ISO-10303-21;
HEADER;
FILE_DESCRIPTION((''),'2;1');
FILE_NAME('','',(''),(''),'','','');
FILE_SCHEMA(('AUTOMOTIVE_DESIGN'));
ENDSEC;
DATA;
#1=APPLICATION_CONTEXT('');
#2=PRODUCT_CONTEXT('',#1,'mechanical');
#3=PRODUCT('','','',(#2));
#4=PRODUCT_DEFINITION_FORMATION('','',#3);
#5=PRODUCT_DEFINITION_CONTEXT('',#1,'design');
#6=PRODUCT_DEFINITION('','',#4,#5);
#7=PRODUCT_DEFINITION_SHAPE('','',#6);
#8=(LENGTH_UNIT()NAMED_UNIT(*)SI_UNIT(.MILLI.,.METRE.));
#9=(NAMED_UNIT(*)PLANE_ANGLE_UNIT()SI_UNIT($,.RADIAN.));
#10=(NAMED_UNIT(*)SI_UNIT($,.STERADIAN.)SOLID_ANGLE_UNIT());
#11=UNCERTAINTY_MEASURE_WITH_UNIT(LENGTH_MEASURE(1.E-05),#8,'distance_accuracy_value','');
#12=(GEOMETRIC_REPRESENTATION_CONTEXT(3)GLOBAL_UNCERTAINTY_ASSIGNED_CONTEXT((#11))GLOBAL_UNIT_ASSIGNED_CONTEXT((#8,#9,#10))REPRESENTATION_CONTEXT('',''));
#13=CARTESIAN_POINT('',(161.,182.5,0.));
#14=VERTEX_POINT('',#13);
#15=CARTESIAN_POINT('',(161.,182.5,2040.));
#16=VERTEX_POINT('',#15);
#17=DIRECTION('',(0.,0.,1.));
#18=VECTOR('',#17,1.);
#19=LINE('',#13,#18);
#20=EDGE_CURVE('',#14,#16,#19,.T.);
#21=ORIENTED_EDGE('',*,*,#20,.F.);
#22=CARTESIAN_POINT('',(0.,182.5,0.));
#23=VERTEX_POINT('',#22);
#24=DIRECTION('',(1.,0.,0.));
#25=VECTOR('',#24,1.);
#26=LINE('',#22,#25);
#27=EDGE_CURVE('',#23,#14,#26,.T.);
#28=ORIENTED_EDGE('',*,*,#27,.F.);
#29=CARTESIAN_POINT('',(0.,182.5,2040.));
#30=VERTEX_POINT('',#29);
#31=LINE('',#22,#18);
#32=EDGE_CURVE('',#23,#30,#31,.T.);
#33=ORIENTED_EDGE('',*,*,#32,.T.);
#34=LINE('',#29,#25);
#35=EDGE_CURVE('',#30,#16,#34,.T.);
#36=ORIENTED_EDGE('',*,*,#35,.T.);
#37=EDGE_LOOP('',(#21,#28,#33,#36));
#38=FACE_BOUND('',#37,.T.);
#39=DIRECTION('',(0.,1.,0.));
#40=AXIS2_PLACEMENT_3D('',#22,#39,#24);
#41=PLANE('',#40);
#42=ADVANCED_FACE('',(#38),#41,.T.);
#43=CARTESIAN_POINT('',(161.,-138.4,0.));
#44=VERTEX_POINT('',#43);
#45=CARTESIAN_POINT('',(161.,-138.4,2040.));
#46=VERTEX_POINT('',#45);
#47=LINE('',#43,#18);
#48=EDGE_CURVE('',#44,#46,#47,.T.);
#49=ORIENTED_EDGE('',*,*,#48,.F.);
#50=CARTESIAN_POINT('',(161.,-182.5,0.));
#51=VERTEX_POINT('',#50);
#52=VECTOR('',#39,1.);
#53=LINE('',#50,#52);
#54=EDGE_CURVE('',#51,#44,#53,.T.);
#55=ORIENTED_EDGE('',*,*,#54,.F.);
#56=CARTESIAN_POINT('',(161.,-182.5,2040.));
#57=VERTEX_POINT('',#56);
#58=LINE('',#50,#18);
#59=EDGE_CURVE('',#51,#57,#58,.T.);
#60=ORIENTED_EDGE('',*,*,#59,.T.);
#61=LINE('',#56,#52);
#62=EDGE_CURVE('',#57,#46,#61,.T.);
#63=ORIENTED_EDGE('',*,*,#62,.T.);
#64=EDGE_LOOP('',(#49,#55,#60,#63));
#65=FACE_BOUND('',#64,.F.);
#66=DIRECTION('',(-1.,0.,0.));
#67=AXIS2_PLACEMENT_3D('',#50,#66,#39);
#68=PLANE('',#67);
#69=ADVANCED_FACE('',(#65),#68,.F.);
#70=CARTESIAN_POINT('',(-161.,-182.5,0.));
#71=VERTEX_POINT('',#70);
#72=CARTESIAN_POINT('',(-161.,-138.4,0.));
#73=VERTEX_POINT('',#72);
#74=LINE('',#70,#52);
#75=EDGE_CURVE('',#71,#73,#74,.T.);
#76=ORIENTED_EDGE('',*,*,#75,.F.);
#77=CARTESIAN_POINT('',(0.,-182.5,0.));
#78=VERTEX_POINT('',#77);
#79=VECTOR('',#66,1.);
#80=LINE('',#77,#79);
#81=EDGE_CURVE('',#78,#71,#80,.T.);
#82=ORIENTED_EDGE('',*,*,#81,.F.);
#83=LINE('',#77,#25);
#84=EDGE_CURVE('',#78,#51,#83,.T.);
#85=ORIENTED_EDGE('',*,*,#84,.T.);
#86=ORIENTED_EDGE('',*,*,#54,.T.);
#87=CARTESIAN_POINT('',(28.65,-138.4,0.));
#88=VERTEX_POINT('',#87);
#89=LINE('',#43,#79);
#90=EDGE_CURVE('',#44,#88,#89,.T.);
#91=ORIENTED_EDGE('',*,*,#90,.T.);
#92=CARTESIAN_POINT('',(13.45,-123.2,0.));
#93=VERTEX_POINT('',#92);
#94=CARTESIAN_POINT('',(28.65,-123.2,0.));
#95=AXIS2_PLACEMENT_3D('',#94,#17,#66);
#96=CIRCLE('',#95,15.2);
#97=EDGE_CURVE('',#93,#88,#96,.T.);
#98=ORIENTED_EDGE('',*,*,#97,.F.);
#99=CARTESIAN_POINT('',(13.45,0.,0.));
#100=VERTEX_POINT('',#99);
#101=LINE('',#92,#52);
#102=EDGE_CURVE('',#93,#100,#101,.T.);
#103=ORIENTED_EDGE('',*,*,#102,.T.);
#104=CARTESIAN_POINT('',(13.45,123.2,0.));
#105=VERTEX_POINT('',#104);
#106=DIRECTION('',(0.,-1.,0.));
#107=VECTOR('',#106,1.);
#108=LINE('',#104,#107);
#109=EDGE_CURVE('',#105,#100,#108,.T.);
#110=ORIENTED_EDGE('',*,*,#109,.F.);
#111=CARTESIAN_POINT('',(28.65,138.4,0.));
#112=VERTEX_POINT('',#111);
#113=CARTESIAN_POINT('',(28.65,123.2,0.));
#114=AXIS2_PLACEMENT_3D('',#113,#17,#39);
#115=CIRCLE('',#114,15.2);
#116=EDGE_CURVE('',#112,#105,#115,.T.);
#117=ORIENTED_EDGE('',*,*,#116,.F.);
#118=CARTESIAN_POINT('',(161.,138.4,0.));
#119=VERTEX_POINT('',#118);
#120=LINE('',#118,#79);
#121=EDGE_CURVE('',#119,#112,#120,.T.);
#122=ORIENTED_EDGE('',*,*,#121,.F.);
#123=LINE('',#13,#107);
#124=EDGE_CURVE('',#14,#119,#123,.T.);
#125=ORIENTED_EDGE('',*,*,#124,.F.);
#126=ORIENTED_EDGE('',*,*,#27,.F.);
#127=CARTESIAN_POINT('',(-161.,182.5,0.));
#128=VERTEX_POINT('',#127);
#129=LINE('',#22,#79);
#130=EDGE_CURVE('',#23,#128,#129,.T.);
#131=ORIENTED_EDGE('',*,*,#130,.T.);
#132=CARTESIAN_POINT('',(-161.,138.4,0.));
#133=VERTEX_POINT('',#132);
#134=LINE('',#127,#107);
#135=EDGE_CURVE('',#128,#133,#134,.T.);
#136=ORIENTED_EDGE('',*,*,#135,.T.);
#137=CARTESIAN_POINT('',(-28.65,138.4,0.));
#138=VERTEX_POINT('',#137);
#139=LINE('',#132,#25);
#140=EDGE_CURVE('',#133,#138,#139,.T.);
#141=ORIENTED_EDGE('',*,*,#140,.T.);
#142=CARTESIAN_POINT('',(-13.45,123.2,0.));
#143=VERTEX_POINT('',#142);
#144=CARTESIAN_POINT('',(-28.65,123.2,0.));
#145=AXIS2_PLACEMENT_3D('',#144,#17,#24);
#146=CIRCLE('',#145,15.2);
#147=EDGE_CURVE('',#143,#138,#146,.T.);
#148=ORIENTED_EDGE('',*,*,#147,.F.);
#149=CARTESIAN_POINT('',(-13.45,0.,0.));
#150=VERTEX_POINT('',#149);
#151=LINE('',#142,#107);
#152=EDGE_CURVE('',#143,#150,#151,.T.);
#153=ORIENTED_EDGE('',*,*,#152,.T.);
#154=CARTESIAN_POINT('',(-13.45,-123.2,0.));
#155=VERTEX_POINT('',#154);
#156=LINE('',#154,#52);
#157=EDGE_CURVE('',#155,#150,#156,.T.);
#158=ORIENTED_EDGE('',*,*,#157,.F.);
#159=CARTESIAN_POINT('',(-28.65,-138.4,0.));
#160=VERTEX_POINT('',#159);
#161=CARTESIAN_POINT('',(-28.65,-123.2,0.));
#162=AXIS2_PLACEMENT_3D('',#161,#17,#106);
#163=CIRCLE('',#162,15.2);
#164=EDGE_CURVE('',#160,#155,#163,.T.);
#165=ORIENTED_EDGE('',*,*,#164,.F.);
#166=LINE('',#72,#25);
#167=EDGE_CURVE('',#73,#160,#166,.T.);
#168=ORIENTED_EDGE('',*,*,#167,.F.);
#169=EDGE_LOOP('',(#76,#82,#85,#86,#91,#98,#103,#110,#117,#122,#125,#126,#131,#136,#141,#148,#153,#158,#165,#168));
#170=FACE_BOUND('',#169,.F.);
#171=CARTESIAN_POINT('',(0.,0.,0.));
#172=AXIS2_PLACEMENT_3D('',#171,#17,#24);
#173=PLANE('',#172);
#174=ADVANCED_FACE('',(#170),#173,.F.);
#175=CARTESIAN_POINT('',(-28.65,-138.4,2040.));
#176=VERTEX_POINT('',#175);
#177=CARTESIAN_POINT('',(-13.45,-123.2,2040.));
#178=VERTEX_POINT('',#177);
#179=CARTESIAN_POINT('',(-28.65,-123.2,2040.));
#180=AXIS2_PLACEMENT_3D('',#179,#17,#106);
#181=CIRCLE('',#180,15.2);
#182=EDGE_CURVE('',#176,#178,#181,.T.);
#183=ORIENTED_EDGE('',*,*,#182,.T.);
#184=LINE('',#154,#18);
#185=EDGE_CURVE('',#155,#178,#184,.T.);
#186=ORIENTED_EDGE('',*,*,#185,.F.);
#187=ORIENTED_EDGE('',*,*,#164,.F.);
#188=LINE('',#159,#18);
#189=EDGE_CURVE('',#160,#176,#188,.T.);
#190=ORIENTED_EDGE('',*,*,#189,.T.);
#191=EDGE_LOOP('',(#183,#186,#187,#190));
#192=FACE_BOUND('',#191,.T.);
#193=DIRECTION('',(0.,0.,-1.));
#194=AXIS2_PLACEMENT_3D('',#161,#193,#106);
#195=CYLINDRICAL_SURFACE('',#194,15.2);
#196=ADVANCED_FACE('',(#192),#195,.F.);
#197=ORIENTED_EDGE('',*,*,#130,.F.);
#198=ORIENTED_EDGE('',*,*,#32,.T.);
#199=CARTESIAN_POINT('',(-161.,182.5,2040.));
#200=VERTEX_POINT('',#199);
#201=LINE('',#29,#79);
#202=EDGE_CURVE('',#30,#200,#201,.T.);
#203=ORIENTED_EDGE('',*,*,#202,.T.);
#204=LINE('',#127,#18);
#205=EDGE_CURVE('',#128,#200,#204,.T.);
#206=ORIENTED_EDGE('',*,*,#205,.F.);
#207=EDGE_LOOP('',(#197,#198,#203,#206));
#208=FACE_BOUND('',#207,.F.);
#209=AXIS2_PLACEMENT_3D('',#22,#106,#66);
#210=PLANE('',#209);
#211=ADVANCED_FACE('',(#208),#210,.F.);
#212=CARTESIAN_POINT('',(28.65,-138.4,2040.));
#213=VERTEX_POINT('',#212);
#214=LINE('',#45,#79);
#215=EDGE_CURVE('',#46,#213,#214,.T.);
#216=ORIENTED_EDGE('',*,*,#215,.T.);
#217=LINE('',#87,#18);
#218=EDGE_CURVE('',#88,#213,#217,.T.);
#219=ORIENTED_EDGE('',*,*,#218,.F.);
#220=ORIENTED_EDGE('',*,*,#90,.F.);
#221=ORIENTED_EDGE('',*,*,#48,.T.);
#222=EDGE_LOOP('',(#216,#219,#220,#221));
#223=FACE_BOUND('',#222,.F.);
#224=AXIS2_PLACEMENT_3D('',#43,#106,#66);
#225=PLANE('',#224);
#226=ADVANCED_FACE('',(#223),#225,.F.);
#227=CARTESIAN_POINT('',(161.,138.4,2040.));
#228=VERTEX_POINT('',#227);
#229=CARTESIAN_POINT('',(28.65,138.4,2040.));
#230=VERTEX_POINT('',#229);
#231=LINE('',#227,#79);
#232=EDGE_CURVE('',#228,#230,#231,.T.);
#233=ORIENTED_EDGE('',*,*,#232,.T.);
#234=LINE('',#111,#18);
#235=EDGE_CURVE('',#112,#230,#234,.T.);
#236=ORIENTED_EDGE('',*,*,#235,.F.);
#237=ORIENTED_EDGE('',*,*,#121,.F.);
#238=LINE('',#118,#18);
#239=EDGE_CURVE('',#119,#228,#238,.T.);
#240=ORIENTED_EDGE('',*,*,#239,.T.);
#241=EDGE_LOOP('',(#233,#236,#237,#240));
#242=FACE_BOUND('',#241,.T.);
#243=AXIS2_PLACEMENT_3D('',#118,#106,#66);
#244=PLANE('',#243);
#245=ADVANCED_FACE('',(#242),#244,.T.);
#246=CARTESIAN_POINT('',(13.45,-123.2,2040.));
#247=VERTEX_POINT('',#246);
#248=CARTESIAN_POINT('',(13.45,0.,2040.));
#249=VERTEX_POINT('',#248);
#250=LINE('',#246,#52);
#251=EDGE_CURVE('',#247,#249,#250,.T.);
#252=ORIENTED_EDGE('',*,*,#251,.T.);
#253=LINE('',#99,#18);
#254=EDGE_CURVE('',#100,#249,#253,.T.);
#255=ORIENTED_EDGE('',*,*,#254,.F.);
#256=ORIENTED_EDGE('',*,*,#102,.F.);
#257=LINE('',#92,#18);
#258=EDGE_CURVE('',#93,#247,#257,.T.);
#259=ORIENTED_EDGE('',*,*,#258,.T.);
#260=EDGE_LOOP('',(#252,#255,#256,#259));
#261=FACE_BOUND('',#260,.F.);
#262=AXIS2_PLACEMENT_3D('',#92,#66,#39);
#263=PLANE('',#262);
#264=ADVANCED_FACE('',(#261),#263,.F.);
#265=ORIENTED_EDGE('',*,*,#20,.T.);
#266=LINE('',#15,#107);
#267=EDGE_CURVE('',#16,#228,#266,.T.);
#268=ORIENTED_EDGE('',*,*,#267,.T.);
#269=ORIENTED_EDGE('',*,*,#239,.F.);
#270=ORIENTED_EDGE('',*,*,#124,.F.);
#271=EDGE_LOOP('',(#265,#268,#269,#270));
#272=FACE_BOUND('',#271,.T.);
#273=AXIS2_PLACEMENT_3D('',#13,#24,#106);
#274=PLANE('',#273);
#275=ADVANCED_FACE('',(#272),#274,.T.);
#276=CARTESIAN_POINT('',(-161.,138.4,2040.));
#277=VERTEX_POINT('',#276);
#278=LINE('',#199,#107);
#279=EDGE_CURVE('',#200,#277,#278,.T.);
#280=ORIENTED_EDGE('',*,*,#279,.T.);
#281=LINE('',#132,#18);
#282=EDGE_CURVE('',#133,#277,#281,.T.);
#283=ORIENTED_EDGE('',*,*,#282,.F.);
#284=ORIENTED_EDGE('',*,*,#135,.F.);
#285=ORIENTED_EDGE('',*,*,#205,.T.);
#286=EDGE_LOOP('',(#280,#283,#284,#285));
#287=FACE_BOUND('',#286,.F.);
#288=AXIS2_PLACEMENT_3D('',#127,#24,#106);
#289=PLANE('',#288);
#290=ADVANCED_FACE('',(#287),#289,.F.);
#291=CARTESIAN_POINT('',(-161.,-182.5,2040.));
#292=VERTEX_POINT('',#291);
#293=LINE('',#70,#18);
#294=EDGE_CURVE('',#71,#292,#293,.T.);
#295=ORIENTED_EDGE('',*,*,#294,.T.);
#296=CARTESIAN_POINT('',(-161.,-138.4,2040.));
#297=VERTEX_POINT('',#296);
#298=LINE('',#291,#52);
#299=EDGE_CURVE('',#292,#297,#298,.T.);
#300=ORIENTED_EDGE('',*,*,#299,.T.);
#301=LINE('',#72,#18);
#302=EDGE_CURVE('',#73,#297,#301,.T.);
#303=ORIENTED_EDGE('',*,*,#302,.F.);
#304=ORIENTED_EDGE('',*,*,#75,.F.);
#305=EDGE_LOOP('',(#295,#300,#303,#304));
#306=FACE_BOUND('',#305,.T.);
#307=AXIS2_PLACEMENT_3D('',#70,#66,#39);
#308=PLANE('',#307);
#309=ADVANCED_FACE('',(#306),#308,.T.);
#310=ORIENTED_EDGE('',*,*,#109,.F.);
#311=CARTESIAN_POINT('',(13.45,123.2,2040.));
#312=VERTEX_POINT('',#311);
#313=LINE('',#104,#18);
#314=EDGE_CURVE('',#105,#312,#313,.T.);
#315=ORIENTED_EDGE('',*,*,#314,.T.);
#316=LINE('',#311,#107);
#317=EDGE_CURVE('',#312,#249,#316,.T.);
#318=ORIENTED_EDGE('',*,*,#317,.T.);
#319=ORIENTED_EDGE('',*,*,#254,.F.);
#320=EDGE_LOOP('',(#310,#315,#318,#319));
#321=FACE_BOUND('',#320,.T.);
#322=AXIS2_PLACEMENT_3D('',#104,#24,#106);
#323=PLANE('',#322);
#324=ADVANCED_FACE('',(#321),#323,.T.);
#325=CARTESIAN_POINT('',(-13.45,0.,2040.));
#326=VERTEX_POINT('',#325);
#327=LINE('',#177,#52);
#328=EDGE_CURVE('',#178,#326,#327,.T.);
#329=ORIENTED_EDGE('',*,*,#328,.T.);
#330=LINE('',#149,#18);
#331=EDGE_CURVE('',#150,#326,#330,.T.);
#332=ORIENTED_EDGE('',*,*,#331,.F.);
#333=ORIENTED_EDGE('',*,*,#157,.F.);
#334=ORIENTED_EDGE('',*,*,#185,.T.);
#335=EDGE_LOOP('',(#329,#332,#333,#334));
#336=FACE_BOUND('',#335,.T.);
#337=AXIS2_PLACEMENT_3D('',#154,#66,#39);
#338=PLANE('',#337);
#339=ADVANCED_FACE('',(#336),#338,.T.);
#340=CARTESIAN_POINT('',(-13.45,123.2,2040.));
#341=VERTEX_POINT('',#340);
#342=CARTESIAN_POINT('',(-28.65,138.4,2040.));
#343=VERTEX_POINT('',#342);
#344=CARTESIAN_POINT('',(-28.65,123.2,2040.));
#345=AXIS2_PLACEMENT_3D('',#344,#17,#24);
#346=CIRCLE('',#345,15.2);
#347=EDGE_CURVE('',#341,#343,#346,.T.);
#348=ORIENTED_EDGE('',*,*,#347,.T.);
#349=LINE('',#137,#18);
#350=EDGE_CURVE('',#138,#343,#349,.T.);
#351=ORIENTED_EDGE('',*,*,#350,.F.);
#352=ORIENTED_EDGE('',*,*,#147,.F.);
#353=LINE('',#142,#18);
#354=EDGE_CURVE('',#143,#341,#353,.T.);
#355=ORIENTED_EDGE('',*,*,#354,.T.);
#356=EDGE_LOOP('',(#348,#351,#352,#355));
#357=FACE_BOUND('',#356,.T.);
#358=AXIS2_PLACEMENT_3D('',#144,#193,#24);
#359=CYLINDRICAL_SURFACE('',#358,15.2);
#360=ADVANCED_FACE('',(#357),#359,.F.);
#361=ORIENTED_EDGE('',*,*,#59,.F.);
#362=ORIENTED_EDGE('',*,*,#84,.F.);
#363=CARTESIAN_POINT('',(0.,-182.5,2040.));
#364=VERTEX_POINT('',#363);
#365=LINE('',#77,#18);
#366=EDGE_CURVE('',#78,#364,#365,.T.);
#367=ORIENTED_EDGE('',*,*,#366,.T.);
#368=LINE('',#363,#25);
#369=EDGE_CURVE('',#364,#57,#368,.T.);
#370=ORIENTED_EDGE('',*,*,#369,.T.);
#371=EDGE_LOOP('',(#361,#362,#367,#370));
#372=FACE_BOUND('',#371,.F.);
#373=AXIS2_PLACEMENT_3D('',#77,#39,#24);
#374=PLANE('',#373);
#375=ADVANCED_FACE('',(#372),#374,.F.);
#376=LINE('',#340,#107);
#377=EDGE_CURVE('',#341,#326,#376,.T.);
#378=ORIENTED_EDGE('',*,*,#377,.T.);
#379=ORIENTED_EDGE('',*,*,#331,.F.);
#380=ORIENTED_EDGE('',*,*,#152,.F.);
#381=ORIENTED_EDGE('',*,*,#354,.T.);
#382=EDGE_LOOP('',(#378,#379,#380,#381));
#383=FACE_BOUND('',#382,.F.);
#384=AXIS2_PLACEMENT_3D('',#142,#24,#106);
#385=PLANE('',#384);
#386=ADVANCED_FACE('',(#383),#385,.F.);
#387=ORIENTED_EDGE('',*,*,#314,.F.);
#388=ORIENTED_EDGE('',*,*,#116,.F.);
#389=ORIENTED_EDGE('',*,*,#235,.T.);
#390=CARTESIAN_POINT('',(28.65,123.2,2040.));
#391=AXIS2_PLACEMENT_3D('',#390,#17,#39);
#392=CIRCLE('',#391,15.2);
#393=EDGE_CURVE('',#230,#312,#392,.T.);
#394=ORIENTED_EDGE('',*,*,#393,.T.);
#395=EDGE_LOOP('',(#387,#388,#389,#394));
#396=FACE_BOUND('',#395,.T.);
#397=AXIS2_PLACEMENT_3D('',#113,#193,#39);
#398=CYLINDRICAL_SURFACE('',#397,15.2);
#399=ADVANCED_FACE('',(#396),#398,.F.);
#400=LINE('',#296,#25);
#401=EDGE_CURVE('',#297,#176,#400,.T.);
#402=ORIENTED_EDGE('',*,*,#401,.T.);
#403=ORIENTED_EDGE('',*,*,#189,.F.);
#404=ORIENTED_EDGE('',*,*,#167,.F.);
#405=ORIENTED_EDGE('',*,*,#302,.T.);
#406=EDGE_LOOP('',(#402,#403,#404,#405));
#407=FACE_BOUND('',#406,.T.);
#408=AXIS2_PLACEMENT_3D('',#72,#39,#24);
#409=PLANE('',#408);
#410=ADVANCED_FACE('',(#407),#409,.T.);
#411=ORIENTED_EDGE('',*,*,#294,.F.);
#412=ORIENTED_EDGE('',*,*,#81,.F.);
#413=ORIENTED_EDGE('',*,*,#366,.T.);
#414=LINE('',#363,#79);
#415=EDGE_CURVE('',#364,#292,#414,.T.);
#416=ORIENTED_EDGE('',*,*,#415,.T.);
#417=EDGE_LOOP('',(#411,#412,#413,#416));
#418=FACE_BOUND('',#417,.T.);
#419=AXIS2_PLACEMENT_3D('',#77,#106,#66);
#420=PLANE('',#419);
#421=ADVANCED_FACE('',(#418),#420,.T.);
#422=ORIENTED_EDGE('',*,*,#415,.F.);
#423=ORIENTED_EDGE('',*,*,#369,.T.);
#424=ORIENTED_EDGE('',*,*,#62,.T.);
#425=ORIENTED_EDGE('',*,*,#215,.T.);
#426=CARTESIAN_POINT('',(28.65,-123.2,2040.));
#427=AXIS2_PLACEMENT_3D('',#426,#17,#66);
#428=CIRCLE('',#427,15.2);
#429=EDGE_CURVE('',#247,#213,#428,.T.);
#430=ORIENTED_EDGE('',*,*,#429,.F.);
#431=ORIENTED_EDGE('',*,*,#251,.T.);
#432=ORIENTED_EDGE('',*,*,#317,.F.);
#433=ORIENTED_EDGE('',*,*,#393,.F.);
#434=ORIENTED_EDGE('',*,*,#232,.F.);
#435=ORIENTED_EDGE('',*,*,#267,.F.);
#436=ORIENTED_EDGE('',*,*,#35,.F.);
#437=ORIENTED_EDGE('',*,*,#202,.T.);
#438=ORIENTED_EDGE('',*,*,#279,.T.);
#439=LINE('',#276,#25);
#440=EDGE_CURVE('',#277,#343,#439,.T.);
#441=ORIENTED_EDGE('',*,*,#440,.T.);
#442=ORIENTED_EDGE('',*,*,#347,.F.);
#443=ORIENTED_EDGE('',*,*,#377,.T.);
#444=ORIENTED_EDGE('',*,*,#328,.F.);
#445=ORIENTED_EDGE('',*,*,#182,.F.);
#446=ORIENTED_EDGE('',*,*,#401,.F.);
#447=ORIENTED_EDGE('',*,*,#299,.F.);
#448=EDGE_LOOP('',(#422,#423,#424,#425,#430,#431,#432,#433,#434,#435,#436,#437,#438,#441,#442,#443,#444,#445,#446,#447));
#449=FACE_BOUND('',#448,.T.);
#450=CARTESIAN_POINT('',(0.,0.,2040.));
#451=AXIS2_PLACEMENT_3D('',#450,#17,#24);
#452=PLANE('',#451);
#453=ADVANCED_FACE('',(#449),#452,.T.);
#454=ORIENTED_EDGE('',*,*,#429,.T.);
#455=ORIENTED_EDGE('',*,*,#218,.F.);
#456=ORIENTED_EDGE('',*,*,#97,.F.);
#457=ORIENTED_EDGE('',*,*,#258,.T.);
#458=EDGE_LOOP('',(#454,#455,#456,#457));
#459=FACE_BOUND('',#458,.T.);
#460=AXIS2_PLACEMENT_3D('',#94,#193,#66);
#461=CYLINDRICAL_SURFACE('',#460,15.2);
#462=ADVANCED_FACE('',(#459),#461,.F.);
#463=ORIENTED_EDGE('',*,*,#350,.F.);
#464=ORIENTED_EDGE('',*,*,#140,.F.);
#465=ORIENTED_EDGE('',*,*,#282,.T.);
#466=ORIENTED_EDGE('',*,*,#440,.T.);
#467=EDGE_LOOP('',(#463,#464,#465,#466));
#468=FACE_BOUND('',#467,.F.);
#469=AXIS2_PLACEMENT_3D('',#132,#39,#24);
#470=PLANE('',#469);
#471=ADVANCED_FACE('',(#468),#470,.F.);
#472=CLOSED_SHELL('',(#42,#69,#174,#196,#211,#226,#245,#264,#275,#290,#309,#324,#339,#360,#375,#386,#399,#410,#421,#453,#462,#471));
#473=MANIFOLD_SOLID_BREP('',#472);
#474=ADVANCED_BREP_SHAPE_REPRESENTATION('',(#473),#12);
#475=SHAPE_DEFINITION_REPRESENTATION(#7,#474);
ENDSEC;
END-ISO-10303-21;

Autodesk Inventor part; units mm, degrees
ref_plane "YZ Plane" through (0, 0, 0) normal (1, 0, 0) x (0, 1, 0)
ref_plane "Start plane" through (0, 0, 0) normal (0, 0, 1) x (1, 0, 0)
ref_plane "End plane" through (0, 0, 2040) normal (0, 0, 1) x (1, 0, 0)
sketch "Sketch" plane through (0, 0, 0) normal (0, 0, 1) x (1, 0, 0)
  line L0 (-161, -182.5) -> (-161, -138.4)
  line L1 (-161, -138.4) -> (-28.65, -138.4)
  line L2 (-13.45, -123.2) -> (-13.45, 0)
  line L3 (-13.45, 0) -> (0, 0) construction
  line L4 (0, 0) -> (0, -182.5) construction
  line L5 (0, -182.5) -> (-161, -182.5)
  line L6 (-60, 0) -> (80, 0) construction
  line L7 (0, -60) -> (0, 80) construction
  line L8 (161, -182.5) -> (161, -138.4)
  line L9 (161, -138.4) -> (28.65, -138.4)
  line L10 (13.45, -123.2) -> (13.45, 0)
  line L11 (13.45, 0) -> (0, 0) construction
  line L12 (0, -182.5) -> (161, -182.5)
  line L13 (-161, 182.5) -> (-161, 138.4)
  line L14 (-161, 138.4) -> (-28.65, 138.4)
  line L15 (-13.45, 123.2) -> (-13.45, 0)
  line L16 (0, 182.5) -> (-161, 182.5)
  line L17 (161, 182.5) -> (161, 138.4)
  line L18 (161, 138.4) -> (28.65, 138.4)
  line L19 (0, 182.5) -> (161, 182.5)
  line L20 (13.45, 123.2) -> (13.45, 0)
  arc A0 (-13.45, 123.2) -> (-28.65, 138.4) centre (-28.65, 123.2) ccw
  arc A1 (28.65, 138.4) -> (13.45, 123.2) centre (28.65, 123.2) ccw
  arc A2 (13.45, -123.2) -> (28.65, -138.4) centre (28.65, -123.2) ccw
  arc A3 (-28.65, -138.4) -> (-13.45, -123.2) centre (-28.65, -123.2) ccw
  line L21 (0, 108) -> (0, -88) construction
  line L22 (-88, 0) -> (108, 0) construction
  point P0 (-13.45, -138.4)
  point P1 (13.45, -138.4)
  point P2 (-13.45, 138.4)
  point P3 (13.45, 138.4)
  dimension "d1" = 182.5
  dimension "d2" = 44.1
  dimension "d3" = 161
  dimension "d4" = 13.45
  dimension "d10" = 15.2
extrude "Body" add sketch "Sketch" along normal up to surface (2040 mm away) from surface at 0
sketch "Sketch4" plane through (0, 0, 0) normal (0, 0, 1) x (1, 0, 0)
  line L0 (0, 0) -> (10, 0)
ref_plane "Work Plane3" through (0, 0, 0) normal (0, -1, 0) x (1, 0, 0)
sketch "Sketch5" plane through (0, 0, 0) normal (0, -1, 0) x (1, 0, 0)
  line L0 (-2, 0) -> (12, 0) projected
  line L1 (-2, 2040) -> (12, 2040) projected
  dimension "d14" = 2040
equation "\"d1\" = 0.5 * G_H"
equation "\"d2\" = G_T1"
equation "\"d3\" = 0.5 * G_W"
equation "\"d4\" = 0.5 * G_T"
equation "\"d10\" = G_IR"
equation "\"d5\" = G_L"
equation "\"G_W\" = 322"
equation "\"G_H\" = 365"
equation "\"G_T\" = 26.9"
equation "\"G_T1\" = 44.1"
equation "\"G_IR\" = 15.2"
equation "\"G_L\" = d14"
equation "\"G_OFFSET_START\" = 0"
equation "\"G_OFFSET_END\" = 0"
properties part number "AS 3679 - 310 UC - 283 - 2040" material "Steel, Mild"
